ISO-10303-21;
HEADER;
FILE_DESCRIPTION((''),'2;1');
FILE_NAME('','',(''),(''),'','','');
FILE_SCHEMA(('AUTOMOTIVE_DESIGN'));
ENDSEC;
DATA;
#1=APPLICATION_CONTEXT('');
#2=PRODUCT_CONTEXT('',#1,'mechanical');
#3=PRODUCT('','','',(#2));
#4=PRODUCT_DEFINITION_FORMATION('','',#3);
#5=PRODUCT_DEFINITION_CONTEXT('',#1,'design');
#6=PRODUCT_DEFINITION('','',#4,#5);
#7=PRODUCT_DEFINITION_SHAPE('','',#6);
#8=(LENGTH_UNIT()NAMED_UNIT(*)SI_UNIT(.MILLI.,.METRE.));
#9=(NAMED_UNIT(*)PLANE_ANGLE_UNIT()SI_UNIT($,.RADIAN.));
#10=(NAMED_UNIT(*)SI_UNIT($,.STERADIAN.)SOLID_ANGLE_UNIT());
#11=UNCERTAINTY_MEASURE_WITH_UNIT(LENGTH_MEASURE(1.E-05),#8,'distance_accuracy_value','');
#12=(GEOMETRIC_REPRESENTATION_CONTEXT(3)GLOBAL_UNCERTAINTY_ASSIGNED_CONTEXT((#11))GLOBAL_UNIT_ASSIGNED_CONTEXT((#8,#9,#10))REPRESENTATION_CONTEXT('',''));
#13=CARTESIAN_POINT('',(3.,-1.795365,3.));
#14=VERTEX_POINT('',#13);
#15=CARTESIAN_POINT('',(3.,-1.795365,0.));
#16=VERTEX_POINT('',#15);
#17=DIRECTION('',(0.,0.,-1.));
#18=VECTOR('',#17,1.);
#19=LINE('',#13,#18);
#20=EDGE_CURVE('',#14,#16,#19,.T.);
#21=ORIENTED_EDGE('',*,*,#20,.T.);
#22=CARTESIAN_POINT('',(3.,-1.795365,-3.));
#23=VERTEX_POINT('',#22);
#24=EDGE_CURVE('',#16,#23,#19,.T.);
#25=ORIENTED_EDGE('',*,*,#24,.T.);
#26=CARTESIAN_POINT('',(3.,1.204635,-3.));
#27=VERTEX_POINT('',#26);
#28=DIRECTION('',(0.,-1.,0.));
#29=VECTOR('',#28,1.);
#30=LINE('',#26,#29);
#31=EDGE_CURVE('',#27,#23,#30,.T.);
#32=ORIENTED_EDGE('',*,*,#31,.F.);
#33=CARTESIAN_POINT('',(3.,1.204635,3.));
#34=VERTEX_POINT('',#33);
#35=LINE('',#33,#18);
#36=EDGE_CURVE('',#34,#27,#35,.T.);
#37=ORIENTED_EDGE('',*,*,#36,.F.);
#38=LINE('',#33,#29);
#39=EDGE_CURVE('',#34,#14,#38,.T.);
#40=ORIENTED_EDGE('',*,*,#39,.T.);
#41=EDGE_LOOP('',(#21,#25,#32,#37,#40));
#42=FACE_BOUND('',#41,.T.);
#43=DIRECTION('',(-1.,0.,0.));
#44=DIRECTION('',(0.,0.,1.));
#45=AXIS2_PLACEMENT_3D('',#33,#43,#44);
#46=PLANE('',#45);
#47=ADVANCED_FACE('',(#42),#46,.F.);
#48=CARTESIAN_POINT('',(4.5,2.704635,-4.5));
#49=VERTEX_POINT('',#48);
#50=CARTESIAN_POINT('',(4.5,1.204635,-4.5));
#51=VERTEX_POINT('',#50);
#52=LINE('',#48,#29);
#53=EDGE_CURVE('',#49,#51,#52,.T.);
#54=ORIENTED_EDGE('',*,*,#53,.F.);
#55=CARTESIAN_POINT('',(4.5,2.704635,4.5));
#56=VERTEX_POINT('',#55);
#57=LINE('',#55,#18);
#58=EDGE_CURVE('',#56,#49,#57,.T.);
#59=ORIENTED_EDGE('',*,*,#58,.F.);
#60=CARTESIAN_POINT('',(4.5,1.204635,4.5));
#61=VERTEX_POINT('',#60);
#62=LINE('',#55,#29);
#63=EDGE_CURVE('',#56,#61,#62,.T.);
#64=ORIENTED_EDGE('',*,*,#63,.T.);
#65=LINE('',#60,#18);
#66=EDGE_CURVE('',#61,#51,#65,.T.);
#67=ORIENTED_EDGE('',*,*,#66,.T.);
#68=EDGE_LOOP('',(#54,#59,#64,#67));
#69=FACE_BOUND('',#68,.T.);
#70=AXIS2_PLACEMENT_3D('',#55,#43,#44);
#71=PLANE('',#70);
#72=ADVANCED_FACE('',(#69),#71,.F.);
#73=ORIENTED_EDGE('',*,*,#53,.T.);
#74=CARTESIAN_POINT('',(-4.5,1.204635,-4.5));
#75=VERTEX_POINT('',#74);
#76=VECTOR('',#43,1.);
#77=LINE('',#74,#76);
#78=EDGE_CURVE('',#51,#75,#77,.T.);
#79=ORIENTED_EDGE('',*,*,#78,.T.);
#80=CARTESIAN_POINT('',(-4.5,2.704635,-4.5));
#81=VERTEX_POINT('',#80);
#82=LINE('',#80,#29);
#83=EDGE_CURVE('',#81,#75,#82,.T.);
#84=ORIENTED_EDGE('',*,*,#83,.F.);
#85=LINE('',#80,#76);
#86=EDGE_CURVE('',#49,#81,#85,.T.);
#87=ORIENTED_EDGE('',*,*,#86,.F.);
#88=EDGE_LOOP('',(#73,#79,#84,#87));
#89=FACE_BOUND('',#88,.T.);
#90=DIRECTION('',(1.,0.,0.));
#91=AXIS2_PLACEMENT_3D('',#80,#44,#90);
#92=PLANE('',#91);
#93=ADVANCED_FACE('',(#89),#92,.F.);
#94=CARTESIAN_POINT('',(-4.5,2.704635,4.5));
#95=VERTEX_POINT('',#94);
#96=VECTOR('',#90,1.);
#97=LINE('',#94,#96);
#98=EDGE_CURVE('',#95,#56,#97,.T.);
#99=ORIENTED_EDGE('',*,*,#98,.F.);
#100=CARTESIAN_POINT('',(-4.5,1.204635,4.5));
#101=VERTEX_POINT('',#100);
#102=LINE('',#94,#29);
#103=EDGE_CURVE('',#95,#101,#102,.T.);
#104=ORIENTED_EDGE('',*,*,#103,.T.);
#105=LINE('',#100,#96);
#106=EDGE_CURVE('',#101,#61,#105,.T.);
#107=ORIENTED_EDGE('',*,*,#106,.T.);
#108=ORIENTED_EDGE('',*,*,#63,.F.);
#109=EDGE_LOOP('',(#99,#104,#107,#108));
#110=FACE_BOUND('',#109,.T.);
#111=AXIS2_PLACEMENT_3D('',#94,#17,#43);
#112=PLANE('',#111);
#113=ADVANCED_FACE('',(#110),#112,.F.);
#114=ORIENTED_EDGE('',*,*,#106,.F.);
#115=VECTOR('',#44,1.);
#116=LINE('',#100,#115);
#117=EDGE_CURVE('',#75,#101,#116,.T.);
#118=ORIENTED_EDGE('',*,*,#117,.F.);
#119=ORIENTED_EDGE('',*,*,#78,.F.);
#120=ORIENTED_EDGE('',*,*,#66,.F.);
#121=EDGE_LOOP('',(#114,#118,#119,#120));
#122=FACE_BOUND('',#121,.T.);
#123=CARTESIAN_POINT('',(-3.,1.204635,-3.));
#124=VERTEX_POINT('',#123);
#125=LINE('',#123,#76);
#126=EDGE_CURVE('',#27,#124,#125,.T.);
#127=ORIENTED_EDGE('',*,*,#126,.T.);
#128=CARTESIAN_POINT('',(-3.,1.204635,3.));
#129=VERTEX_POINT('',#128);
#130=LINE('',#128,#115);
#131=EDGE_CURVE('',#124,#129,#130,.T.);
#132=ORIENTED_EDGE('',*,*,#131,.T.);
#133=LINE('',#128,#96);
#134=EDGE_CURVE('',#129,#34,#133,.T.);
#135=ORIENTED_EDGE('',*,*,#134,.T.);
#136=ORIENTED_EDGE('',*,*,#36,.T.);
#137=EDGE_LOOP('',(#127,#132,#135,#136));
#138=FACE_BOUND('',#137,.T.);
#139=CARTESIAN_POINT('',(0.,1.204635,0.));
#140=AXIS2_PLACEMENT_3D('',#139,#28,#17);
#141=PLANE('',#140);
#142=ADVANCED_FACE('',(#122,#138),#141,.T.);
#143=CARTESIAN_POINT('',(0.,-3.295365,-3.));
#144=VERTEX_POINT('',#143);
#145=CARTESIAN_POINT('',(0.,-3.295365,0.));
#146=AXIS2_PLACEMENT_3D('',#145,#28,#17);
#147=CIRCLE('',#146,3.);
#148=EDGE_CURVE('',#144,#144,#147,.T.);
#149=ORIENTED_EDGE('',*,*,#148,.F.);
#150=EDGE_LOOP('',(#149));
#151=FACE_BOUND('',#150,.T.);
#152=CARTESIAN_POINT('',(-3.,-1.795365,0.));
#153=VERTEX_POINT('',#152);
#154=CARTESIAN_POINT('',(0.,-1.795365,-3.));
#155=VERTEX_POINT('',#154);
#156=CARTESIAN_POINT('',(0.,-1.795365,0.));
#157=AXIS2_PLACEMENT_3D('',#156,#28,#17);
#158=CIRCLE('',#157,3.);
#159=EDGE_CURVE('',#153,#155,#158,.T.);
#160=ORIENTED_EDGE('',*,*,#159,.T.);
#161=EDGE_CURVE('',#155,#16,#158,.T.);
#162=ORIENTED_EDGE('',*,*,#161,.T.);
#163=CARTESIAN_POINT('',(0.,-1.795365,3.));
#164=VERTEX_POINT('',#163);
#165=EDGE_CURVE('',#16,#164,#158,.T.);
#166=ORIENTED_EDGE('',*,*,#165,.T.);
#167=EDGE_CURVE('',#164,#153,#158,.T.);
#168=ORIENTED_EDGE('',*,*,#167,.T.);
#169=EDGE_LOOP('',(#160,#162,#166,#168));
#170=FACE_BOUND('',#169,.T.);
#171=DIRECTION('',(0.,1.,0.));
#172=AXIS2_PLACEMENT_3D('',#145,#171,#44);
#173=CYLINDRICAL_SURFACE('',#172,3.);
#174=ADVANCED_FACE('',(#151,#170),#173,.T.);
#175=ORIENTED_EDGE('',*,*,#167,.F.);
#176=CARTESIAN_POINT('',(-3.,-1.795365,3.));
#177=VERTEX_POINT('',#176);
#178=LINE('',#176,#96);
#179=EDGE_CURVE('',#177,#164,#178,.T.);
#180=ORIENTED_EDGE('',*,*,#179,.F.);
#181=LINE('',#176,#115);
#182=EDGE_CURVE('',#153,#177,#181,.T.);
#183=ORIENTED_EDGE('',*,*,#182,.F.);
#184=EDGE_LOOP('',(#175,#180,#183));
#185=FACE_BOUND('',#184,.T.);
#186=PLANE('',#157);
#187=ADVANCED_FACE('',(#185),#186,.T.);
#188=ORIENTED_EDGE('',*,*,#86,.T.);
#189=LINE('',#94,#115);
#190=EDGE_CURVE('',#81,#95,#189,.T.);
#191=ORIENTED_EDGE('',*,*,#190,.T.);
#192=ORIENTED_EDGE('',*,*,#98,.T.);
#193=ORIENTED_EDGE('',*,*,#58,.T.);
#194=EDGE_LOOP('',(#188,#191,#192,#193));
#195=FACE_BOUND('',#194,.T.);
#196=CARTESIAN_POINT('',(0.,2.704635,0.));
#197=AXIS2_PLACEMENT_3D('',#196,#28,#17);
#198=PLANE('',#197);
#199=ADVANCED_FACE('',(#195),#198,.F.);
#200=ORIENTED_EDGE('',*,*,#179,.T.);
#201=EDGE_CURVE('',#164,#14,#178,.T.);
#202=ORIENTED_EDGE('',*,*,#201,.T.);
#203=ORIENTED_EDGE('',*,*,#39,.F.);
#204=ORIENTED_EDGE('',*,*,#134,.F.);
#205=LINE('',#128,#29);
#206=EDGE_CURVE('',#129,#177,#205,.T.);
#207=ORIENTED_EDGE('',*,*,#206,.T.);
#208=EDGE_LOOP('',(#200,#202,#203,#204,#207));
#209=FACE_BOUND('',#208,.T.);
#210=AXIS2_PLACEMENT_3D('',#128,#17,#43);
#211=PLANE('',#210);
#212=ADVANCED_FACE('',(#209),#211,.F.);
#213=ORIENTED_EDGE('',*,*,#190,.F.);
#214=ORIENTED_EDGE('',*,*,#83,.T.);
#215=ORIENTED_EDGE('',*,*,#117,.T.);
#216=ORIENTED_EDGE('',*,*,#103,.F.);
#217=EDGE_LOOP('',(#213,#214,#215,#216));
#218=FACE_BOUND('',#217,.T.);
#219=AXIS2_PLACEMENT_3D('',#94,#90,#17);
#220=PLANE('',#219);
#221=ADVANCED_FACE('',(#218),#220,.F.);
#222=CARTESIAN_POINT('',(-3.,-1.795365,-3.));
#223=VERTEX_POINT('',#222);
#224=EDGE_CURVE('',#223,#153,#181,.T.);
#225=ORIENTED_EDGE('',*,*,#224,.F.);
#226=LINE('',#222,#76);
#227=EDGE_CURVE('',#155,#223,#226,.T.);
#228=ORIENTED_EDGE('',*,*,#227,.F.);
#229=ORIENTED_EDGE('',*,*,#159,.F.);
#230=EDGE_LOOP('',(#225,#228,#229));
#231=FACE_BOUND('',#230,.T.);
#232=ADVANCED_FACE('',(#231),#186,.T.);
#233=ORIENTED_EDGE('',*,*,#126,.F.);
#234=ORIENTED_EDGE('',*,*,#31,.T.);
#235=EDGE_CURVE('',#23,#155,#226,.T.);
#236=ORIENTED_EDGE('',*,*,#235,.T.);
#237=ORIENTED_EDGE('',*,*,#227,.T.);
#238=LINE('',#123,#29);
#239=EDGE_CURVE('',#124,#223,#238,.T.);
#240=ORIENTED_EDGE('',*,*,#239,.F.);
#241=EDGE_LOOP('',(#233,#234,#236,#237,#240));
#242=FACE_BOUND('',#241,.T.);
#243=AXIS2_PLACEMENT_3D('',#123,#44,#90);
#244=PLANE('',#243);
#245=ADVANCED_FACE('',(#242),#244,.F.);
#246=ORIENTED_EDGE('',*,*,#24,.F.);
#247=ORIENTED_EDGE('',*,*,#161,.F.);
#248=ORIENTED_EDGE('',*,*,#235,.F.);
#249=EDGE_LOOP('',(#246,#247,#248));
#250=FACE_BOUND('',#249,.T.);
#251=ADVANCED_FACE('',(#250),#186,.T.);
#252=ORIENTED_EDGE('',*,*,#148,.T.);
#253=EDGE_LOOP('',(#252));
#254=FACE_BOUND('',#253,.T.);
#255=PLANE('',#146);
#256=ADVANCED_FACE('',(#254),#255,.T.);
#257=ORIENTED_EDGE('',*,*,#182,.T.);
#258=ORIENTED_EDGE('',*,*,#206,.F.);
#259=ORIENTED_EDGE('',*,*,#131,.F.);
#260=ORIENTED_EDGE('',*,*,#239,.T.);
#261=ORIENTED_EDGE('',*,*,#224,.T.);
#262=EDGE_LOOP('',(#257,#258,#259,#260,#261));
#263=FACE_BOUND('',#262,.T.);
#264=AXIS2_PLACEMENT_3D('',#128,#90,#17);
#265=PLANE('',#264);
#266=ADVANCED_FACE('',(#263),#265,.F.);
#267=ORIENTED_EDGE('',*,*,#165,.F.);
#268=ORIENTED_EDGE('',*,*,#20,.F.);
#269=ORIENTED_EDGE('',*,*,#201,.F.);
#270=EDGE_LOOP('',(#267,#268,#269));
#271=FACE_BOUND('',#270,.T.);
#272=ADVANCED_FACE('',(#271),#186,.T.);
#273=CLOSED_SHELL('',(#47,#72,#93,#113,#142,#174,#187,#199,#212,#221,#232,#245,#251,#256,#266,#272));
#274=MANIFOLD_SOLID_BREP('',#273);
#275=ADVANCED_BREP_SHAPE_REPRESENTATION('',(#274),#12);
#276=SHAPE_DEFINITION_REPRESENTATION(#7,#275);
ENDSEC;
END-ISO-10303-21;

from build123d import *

# Parameters (mm, degrees)
SKETCH1_W           = 1
SKETCH1_H           = 1
BOSS_EXTRUDE1_DEPTH = 0.5
SKETCH2_W           = 1.5
SKETCH2_H           = 1.5
BOSS_EXTRUDE2_DEPTH = 0.25
SKETCH3_R           = 0.5
BOSS_EXTRUDE3_DEPTH = 0.25
SCALE1_SCALE        = 6


with BuildPart() as part:
    # Sketch1 → Boss-Extrude1 (new body)
    with BuildSketch(Plane(origin=(0, 0, 0), x_dir=(1, 0, 0), z_dir=(0, 1, 0))):
        Rectangle(SKETCH1_W, SKETCH1_H)
    extrude(amount=BOSS_EXTRUDE1_DEPTH)

    # Sketch2 → Boss-Extrude2 (add)
    with BuildSketch(Plane(origin=(0, 0.5, 0), x_dir=(1, 0, 0), z_dir=(0, 1, 0))):
        Rectangle(SKETCH2_W, SKETCH2_H)
    extrude(amount=BOSS_EXTRUDE2_DEPTH)

    # Sketch3 → Boss-Extrude3 (add)
    with BuildSketch(Plane.XZ):
        with Locations(Location((0, 0, 0), (0, 0, 270))):
            Circle(SKETCH3_R)
    extrude(amount=BOSS_EXTRUDE3_DEPTH)


with BuildPart() as part_1:
    # Scale1: scaled about (0, 0.359072941, 0)
    add(part.part.scale(SCALE1_SCALE).moved(Location((0, -1.795364705, 0))))


solid = part_1.part
